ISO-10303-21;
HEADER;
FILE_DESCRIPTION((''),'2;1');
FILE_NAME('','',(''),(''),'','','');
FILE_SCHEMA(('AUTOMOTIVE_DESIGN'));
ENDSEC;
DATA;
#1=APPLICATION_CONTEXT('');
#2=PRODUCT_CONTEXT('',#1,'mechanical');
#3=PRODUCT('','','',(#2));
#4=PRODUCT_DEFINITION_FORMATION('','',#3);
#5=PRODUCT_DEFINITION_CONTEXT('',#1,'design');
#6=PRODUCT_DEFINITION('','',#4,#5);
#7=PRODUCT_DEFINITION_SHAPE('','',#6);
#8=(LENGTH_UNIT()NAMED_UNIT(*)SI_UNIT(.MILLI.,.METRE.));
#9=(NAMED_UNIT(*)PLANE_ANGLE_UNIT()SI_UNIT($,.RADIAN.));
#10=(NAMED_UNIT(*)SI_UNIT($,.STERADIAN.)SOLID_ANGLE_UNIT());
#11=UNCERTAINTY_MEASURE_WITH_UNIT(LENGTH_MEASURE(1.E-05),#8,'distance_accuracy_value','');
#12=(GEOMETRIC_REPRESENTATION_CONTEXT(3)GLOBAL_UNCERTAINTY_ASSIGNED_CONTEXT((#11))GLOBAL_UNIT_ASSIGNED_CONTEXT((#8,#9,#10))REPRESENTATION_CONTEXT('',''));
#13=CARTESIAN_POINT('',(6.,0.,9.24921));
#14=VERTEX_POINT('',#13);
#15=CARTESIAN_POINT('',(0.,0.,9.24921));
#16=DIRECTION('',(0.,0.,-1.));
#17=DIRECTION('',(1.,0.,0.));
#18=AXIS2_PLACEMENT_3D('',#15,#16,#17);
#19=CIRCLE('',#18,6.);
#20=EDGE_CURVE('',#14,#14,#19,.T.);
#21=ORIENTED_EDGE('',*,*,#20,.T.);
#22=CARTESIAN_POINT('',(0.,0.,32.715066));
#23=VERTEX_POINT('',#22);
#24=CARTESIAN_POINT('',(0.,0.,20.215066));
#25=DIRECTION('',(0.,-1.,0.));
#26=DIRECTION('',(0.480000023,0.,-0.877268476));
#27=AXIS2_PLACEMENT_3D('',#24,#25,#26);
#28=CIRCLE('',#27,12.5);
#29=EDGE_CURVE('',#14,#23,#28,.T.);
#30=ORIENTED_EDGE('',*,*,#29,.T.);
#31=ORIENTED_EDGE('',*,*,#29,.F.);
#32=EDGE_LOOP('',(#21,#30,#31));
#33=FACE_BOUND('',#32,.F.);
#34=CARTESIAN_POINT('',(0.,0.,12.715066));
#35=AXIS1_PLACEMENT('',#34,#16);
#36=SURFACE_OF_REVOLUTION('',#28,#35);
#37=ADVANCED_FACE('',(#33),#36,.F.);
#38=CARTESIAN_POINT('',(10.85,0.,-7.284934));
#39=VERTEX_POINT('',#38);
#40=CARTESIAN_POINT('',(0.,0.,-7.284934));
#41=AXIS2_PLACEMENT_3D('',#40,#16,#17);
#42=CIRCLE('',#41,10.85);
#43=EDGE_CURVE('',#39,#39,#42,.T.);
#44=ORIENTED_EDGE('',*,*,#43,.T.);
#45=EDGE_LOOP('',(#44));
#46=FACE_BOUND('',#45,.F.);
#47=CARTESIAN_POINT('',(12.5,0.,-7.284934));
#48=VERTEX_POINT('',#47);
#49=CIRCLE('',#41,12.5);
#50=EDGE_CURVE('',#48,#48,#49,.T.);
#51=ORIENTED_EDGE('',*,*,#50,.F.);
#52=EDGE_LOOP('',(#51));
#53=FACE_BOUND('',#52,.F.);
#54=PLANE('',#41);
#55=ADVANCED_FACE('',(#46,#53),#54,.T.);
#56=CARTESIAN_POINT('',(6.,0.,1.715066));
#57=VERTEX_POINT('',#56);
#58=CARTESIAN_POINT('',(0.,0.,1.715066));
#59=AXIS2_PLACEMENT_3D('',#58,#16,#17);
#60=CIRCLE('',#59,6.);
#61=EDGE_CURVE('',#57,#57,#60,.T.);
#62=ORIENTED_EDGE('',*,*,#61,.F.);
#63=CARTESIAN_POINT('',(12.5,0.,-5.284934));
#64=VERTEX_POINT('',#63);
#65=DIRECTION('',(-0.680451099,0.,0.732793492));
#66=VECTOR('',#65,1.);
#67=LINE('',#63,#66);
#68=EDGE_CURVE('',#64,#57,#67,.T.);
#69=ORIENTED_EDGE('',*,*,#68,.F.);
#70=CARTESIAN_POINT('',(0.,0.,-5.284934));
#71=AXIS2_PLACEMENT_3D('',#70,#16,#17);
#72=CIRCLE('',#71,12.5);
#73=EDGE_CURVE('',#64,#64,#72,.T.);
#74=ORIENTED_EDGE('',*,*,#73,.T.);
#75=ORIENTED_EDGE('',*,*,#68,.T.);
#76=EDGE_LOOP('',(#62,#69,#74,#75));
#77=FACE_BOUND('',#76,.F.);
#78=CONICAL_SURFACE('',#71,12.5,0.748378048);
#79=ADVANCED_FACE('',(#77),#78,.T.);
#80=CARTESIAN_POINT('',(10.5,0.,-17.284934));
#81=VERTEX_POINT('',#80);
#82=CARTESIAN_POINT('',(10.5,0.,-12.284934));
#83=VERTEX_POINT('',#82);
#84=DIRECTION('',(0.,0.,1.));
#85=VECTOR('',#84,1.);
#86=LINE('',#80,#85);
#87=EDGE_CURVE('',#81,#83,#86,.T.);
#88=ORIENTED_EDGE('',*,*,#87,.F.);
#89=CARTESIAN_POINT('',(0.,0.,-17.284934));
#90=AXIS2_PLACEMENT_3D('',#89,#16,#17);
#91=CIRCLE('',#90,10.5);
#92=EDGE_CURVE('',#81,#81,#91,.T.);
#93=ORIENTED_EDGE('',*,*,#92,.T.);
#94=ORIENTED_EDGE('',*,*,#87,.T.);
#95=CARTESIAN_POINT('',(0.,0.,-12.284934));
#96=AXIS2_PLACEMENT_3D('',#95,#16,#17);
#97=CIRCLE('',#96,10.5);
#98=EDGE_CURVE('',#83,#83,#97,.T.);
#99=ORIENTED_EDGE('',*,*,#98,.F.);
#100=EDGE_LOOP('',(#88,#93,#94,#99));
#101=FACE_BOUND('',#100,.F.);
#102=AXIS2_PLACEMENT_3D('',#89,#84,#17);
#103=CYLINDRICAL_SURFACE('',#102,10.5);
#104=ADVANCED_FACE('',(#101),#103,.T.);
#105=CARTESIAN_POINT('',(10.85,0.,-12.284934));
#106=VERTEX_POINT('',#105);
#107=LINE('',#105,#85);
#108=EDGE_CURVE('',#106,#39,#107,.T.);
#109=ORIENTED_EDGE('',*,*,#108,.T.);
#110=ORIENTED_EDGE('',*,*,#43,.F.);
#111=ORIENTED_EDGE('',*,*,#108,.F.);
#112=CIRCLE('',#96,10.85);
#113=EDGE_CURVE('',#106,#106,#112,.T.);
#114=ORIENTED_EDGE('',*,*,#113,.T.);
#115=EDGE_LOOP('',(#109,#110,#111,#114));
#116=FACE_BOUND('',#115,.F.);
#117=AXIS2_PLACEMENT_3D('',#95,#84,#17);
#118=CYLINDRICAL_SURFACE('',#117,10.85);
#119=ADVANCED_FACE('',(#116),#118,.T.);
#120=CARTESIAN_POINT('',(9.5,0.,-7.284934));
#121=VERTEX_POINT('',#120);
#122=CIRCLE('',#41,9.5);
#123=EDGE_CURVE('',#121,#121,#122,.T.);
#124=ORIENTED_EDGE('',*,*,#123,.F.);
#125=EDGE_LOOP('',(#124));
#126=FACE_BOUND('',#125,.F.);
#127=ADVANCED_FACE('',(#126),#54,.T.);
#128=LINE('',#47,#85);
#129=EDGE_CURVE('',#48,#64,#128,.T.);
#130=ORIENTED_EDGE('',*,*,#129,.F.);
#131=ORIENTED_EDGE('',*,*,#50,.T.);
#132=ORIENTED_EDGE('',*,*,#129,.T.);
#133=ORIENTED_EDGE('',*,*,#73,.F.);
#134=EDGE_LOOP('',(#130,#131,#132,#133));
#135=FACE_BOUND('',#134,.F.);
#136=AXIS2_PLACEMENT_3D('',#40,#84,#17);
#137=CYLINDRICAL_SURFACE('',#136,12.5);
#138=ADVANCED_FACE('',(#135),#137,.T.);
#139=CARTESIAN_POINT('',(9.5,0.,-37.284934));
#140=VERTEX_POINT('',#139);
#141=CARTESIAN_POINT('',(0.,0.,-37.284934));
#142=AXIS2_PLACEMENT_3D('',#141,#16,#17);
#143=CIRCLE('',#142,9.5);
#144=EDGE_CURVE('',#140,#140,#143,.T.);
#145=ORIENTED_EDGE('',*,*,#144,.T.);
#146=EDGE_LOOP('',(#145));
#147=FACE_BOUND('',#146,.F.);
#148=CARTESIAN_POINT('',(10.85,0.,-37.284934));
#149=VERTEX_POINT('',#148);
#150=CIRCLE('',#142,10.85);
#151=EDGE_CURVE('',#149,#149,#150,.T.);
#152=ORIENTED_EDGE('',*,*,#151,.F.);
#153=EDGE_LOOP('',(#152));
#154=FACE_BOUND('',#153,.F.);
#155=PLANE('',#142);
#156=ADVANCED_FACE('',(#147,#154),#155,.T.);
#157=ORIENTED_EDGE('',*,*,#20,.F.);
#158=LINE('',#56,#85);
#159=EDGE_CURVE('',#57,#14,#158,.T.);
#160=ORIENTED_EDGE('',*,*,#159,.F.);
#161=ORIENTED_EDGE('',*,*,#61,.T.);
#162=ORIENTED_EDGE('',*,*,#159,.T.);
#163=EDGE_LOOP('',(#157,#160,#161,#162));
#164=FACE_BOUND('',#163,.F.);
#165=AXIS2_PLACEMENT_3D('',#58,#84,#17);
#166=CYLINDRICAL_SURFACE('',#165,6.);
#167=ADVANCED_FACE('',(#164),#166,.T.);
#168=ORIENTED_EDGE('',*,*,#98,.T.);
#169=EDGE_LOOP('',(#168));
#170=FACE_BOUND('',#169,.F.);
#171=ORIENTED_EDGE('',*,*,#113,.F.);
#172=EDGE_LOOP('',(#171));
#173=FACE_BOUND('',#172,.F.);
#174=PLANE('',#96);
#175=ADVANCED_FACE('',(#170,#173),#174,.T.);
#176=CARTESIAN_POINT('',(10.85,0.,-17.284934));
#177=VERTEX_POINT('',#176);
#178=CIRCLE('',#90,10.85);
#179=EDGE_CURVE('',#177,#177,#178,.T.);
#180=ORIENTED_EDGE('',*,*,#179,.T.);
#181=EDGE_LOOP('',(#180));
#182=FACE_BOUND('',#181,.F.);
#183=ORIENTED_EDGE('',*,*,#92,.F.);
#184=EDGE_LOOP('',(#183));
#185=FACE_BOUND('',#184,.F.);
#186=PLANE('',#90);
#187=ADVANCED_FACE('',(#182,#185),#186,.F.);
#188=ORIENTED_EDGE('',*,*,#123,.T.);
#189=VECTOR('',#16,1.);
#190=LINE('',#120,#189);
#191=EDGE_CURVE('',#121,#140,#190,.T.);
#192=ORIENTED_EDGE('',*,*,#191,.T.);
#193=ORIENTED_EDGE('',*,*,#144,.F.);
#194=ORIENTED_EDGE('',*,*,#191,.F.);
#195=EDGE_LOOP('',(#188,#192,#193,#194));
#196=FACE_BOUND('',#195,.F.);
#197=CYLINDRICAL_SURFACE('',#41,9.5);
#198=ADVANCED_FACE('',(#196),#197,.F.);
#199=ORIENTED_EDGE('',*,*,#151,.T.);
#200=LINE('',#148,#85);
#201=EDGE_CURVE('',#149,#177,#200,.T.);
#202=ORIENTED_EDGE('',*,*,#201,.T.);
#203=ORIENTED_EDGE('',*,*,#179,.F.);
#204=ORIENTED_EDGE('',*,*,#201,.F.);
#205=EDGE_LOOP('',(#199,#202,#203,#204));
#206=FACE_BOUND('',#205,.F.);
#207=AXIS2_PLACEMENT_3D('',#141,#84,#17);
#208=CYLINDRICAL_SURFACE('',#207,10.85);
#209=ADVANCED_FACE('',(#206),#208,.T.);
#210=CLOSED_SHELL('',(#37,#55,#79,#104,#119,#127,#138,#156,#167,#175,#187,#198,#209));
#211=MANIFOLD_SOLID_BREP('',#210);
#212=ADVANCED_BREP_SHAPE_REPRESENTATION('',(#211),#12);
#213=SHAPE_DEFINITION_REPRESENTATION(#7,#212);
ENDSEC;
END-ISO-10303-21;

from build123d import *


with BuildPart() as f1:
    # F0 (on Front) → F1 (revolve)
    with BuildSketch(Plane.XZ):
        with BuildLine():
            ThreePointArc((6, 9.24921), (12.110392, 23.31158), (0, 32.715066))
            Line((0, 32.715066), (0, -7.284934))
            Line((0, -7.284934), (9.5, -7.284934))
            Line((9.5, -7.284934), (9.5, -37.284934))
            Line((9.5, -37.284934), (10.85, -37.284934))
            Line((10.85, -37.284934), (10.85, -17.284934))
            Line((10.85, -17.284934), (10.5, -17.284934))
            Line((10.5, -17.284934), (10.5, -12.284934))
            Line((10.5, -12.284934), (10.85, -12.284934))
            Line((10.85, -12.284934), (10.85, -7.284934))
            Line((10.85, -7.284934), (12.5, -7.284934))
            Line((12.5, -7.284934), (12.5, -5.284934))
            Line((12.5, -5.284934), (6, 1.715066))
            Line((6, 1.715066), (6, 9.24921))
        make_face()
    revolve(axis=Axis((0, 0, 12.715066), (0, 0, -1)))


solid = f1.part
